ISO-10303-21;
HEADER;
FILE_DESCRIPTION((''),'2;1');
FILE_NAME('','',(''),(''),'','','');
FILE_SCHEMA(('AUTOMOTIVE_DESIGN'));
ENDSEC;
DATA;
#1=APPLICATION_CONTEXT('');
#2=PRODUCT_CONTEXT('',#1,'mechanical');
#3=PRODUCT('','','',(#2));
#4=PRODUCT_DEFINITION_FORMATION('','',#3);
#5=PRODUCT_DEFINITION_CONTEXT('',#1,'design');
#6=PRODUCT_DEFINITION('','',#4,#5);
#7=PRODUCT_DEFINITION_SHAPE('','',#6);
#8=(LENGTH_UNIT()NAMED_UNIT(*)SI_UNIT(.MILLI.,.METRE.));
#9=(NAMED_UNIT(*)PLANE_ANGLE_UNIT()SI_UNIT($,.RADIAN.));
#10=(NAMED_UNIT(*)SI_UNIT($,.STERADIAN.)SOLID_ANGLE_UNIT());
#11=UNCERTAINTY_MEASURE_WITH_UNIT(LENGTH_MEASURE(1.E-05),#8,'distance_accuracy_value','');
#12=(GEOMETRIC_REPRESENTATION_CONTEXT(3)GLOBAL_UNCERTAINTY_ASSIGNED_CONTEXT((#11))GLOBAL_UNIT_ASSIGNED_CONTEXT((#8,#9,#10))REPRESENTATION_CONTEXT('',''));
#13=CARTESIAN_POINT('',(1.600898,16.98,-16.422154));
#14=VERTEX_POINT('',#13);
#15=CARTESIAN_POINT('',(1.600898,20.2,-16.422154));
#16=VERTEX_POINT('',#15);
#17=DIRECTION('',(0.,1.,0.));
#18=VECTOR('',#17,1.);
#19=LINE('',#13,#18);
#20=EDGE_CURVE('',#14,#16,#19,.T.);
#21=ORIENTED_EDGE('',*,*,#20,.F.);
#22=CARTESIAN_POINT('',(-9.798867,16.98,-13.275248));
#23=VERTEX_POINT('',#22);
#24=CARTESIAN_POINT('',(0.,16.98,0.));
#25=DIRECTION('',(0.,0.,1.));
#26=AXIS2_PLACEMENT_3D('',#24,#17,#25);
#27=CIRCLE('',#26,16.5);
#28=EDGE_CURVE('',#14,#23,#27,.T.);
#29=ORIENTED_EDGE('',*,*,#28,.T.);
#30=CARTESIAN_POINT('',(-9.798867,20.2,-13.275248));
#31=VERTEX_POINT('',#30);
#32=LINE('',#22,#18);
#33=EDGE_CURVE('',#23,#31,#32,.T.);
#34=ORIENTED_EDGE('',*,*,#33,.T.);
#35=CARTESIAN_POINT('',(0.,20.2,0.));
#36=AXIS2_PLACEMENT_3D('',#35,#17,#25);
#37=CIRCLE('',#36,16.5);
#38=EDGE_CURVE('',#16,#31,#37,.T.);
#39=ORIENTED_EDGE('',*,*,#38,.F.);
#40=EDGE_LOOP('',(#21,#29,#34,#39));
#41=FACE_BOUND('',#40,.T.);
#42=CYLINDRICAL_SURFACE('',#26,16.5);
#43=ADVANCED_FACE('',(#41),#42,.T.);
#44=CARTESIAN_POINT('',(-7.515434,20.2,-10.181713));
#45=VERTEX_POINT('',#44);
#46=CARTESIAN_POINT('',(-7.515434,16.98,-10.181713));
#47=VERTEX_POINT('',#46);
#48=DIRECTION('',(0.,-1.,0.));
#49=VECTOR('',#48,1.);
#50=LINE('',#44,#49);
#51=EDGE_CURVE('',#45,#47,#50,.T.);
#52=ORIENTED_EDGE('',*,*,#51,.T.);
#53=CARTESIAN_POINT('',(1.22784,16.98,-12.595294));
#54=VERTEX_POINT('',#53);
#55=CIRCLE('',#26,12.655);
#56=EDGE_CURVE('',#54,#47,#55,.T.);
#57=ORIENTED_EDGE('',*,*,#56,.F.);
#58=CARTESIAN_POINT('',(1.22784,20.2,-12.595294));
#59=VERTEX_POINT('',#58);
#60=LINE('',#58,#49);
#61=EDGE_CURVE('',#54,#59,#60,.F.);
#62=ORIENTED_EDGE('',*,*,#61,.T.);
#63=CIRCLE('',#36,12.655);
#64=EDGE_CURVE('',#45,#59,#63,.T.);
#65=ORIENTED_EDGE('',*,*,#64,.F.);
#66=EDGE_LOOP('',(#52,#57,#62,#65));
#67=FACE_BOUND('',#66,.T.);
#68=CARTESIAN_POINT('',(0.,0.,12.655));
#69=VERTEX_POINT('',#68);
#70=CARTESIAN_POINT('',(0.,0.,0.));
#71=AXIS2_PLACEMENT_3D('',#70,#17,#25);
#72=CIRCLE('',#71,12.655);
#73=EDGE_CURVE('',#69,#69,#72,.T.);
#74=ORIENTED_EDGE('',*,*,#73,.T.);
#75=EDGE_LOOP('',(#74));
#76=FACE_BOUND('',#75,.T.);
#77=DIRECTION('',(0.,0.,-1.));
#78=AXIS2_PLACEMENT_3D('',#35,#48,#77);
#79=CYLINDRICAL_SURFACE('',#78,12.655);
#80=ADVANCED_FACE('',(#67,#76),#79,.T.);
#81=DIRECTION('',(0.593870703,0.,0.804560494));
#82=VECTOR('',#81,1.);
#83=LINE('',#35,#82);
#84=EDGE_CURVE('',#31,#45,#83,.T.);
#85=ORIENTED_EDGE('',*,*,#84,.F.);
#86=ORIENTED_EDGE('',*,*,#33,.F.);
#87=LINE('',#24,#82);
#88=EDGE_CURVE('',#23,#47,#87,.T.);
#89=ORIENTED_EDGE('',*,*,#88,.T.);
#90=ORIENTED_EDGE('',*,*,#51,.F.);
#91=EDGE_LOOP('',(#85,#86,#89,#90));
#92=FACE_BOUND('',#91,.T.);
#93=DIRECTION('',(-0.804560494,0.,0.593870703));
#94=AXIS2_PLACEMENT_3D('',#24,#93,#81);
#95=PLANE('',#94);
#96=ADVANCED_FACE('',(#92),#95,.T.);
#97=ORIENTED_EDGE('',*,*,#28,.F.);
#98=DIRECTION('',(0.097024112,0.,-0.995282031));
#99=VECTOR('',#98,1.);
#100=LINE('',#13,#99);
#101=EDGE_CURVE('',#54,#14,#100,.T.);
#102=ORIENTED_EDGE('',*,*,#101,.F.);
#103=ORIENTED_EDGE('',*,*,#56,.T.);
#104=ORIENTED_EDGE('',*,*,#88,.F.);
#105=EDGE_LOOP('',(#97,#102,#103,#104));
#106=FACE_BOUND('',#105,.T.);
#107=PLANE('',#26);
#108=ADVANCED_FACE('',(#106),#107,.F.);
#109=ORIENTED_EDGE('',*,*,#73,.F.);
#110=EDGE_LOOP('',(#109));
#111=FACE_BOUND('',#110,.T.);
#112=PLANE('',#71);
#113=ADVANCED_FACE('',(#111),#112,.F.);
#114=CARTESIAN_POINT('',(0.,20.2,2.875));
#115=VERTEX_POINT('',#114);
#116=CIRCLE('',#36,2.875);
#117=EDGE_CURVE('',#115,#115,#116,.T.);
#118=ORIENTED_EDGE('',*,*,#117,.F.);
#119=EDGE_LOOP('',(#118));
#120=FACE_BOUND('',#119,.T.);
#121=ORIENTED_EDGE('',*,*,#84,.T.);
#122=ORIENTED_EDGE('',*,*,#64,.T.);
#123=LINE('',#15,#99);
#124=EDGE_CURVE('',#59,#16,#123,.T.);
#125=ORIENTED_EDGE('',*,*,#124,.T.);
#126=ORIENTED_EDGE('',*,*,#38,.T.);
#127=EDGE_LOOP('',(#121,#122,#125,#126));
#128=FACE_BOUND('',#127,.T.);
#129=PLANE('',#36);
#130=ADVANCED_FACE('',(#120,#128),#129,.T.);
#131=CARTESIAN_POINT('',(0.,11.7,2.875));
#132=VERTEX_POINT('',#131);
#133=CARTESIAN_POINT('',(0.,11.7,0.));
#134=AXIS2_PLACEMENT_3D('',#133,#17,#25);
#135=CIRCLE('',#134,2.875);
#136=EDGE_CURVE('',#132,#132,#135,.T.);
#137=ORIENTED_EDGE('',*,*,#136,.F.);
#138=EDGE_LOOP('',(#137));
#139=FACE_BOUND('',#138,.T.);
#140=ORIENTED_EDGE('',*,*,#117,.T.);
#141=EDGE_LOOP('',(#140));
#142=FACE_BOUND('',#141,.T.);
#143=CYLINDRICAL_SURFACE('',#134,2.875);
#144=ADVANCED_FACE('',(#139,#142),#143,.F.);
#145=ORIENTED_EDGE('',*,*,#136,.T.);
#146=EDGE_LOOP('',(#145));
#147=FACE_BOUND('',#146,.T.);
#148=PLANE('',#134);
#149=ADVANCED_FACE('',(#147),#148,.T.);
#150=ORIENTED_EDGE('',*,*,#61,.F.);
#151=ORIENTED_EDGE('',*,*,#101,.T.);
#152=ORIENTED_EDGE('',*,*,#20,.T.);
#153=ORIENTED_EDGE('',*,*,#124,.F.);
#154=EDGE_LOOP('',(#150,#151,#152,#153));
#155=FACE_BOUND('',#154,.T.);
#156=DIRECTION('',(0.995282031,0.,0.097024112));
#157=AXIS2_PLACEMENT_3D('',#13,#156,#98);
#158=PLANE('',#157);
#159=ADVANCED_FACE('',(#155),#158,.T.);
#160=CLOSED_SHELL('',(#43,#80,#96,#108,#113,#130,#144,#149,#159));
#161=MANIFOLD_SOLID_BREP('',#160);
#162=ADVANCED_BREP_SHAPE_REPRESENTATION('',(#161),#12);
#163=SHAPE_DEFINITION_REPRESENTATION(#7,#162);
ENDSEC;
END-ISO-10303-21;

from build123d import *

# Parameters (mm, degrees)
SKETCH1_R           = 12.655
BOSS_EXTRUDE1_DEPTH = 20.2
BOSS_EXTRUDE2_DEPTH = 3.22
SKETCH3_R           = 2.875
CUT_EXTRUDE1_DEPTH  = 8.5


with BuildPart() as part:
    # Sketch1 → Boss-Extrude1 (new body)
    with BuildSketch(Plane(origin=(0, 0, 0), x_dir=(1, 0, 0), z_dir=(0, 1, 0))):
        with Locations(Location((0, 0, 0), (0, 0, 270))):
            Circle(SKETCH1_R)
    extrude(amount=BOSS_EXTRUDE1_DEPTH)

    # Sketch2 → Boss-Extrude2 (add)
    with BuildSketch(Plane(origin=(0, 20.2, 0), x_dir=(1, 0, 0), z_dir=(0, 1, 0))):
        with BuildLine():
            Line((1.600897841, 16.422153516), (0, 0))
            Line((0, 0), (-9.798866593, 13.275248151))
            ThreePointArc((-9.798866593, 13.275248151), (-4.390606594, 15.90511156), (1.600897841, 16.422153516))
        make_face()
    extrude(amount=-BOSS_EXTRUDE2_DEPTH)

    # Sketch3 → Cut-Extrude1 (cut)
    with BuildSketch(Plane(origin=(0, 20.2, 0), x_dir=(1, 0, 0), z_dir=(0, 1, 0))):
        with Locations(Location((0, 0, 0), (0, 0, 270))):
            Circle(SKETCH3_R)
    extrude(amount=-CUT_EXTRUDE1_DEPTH, mode=Mode.SUBTRACT)


solid = part.part
